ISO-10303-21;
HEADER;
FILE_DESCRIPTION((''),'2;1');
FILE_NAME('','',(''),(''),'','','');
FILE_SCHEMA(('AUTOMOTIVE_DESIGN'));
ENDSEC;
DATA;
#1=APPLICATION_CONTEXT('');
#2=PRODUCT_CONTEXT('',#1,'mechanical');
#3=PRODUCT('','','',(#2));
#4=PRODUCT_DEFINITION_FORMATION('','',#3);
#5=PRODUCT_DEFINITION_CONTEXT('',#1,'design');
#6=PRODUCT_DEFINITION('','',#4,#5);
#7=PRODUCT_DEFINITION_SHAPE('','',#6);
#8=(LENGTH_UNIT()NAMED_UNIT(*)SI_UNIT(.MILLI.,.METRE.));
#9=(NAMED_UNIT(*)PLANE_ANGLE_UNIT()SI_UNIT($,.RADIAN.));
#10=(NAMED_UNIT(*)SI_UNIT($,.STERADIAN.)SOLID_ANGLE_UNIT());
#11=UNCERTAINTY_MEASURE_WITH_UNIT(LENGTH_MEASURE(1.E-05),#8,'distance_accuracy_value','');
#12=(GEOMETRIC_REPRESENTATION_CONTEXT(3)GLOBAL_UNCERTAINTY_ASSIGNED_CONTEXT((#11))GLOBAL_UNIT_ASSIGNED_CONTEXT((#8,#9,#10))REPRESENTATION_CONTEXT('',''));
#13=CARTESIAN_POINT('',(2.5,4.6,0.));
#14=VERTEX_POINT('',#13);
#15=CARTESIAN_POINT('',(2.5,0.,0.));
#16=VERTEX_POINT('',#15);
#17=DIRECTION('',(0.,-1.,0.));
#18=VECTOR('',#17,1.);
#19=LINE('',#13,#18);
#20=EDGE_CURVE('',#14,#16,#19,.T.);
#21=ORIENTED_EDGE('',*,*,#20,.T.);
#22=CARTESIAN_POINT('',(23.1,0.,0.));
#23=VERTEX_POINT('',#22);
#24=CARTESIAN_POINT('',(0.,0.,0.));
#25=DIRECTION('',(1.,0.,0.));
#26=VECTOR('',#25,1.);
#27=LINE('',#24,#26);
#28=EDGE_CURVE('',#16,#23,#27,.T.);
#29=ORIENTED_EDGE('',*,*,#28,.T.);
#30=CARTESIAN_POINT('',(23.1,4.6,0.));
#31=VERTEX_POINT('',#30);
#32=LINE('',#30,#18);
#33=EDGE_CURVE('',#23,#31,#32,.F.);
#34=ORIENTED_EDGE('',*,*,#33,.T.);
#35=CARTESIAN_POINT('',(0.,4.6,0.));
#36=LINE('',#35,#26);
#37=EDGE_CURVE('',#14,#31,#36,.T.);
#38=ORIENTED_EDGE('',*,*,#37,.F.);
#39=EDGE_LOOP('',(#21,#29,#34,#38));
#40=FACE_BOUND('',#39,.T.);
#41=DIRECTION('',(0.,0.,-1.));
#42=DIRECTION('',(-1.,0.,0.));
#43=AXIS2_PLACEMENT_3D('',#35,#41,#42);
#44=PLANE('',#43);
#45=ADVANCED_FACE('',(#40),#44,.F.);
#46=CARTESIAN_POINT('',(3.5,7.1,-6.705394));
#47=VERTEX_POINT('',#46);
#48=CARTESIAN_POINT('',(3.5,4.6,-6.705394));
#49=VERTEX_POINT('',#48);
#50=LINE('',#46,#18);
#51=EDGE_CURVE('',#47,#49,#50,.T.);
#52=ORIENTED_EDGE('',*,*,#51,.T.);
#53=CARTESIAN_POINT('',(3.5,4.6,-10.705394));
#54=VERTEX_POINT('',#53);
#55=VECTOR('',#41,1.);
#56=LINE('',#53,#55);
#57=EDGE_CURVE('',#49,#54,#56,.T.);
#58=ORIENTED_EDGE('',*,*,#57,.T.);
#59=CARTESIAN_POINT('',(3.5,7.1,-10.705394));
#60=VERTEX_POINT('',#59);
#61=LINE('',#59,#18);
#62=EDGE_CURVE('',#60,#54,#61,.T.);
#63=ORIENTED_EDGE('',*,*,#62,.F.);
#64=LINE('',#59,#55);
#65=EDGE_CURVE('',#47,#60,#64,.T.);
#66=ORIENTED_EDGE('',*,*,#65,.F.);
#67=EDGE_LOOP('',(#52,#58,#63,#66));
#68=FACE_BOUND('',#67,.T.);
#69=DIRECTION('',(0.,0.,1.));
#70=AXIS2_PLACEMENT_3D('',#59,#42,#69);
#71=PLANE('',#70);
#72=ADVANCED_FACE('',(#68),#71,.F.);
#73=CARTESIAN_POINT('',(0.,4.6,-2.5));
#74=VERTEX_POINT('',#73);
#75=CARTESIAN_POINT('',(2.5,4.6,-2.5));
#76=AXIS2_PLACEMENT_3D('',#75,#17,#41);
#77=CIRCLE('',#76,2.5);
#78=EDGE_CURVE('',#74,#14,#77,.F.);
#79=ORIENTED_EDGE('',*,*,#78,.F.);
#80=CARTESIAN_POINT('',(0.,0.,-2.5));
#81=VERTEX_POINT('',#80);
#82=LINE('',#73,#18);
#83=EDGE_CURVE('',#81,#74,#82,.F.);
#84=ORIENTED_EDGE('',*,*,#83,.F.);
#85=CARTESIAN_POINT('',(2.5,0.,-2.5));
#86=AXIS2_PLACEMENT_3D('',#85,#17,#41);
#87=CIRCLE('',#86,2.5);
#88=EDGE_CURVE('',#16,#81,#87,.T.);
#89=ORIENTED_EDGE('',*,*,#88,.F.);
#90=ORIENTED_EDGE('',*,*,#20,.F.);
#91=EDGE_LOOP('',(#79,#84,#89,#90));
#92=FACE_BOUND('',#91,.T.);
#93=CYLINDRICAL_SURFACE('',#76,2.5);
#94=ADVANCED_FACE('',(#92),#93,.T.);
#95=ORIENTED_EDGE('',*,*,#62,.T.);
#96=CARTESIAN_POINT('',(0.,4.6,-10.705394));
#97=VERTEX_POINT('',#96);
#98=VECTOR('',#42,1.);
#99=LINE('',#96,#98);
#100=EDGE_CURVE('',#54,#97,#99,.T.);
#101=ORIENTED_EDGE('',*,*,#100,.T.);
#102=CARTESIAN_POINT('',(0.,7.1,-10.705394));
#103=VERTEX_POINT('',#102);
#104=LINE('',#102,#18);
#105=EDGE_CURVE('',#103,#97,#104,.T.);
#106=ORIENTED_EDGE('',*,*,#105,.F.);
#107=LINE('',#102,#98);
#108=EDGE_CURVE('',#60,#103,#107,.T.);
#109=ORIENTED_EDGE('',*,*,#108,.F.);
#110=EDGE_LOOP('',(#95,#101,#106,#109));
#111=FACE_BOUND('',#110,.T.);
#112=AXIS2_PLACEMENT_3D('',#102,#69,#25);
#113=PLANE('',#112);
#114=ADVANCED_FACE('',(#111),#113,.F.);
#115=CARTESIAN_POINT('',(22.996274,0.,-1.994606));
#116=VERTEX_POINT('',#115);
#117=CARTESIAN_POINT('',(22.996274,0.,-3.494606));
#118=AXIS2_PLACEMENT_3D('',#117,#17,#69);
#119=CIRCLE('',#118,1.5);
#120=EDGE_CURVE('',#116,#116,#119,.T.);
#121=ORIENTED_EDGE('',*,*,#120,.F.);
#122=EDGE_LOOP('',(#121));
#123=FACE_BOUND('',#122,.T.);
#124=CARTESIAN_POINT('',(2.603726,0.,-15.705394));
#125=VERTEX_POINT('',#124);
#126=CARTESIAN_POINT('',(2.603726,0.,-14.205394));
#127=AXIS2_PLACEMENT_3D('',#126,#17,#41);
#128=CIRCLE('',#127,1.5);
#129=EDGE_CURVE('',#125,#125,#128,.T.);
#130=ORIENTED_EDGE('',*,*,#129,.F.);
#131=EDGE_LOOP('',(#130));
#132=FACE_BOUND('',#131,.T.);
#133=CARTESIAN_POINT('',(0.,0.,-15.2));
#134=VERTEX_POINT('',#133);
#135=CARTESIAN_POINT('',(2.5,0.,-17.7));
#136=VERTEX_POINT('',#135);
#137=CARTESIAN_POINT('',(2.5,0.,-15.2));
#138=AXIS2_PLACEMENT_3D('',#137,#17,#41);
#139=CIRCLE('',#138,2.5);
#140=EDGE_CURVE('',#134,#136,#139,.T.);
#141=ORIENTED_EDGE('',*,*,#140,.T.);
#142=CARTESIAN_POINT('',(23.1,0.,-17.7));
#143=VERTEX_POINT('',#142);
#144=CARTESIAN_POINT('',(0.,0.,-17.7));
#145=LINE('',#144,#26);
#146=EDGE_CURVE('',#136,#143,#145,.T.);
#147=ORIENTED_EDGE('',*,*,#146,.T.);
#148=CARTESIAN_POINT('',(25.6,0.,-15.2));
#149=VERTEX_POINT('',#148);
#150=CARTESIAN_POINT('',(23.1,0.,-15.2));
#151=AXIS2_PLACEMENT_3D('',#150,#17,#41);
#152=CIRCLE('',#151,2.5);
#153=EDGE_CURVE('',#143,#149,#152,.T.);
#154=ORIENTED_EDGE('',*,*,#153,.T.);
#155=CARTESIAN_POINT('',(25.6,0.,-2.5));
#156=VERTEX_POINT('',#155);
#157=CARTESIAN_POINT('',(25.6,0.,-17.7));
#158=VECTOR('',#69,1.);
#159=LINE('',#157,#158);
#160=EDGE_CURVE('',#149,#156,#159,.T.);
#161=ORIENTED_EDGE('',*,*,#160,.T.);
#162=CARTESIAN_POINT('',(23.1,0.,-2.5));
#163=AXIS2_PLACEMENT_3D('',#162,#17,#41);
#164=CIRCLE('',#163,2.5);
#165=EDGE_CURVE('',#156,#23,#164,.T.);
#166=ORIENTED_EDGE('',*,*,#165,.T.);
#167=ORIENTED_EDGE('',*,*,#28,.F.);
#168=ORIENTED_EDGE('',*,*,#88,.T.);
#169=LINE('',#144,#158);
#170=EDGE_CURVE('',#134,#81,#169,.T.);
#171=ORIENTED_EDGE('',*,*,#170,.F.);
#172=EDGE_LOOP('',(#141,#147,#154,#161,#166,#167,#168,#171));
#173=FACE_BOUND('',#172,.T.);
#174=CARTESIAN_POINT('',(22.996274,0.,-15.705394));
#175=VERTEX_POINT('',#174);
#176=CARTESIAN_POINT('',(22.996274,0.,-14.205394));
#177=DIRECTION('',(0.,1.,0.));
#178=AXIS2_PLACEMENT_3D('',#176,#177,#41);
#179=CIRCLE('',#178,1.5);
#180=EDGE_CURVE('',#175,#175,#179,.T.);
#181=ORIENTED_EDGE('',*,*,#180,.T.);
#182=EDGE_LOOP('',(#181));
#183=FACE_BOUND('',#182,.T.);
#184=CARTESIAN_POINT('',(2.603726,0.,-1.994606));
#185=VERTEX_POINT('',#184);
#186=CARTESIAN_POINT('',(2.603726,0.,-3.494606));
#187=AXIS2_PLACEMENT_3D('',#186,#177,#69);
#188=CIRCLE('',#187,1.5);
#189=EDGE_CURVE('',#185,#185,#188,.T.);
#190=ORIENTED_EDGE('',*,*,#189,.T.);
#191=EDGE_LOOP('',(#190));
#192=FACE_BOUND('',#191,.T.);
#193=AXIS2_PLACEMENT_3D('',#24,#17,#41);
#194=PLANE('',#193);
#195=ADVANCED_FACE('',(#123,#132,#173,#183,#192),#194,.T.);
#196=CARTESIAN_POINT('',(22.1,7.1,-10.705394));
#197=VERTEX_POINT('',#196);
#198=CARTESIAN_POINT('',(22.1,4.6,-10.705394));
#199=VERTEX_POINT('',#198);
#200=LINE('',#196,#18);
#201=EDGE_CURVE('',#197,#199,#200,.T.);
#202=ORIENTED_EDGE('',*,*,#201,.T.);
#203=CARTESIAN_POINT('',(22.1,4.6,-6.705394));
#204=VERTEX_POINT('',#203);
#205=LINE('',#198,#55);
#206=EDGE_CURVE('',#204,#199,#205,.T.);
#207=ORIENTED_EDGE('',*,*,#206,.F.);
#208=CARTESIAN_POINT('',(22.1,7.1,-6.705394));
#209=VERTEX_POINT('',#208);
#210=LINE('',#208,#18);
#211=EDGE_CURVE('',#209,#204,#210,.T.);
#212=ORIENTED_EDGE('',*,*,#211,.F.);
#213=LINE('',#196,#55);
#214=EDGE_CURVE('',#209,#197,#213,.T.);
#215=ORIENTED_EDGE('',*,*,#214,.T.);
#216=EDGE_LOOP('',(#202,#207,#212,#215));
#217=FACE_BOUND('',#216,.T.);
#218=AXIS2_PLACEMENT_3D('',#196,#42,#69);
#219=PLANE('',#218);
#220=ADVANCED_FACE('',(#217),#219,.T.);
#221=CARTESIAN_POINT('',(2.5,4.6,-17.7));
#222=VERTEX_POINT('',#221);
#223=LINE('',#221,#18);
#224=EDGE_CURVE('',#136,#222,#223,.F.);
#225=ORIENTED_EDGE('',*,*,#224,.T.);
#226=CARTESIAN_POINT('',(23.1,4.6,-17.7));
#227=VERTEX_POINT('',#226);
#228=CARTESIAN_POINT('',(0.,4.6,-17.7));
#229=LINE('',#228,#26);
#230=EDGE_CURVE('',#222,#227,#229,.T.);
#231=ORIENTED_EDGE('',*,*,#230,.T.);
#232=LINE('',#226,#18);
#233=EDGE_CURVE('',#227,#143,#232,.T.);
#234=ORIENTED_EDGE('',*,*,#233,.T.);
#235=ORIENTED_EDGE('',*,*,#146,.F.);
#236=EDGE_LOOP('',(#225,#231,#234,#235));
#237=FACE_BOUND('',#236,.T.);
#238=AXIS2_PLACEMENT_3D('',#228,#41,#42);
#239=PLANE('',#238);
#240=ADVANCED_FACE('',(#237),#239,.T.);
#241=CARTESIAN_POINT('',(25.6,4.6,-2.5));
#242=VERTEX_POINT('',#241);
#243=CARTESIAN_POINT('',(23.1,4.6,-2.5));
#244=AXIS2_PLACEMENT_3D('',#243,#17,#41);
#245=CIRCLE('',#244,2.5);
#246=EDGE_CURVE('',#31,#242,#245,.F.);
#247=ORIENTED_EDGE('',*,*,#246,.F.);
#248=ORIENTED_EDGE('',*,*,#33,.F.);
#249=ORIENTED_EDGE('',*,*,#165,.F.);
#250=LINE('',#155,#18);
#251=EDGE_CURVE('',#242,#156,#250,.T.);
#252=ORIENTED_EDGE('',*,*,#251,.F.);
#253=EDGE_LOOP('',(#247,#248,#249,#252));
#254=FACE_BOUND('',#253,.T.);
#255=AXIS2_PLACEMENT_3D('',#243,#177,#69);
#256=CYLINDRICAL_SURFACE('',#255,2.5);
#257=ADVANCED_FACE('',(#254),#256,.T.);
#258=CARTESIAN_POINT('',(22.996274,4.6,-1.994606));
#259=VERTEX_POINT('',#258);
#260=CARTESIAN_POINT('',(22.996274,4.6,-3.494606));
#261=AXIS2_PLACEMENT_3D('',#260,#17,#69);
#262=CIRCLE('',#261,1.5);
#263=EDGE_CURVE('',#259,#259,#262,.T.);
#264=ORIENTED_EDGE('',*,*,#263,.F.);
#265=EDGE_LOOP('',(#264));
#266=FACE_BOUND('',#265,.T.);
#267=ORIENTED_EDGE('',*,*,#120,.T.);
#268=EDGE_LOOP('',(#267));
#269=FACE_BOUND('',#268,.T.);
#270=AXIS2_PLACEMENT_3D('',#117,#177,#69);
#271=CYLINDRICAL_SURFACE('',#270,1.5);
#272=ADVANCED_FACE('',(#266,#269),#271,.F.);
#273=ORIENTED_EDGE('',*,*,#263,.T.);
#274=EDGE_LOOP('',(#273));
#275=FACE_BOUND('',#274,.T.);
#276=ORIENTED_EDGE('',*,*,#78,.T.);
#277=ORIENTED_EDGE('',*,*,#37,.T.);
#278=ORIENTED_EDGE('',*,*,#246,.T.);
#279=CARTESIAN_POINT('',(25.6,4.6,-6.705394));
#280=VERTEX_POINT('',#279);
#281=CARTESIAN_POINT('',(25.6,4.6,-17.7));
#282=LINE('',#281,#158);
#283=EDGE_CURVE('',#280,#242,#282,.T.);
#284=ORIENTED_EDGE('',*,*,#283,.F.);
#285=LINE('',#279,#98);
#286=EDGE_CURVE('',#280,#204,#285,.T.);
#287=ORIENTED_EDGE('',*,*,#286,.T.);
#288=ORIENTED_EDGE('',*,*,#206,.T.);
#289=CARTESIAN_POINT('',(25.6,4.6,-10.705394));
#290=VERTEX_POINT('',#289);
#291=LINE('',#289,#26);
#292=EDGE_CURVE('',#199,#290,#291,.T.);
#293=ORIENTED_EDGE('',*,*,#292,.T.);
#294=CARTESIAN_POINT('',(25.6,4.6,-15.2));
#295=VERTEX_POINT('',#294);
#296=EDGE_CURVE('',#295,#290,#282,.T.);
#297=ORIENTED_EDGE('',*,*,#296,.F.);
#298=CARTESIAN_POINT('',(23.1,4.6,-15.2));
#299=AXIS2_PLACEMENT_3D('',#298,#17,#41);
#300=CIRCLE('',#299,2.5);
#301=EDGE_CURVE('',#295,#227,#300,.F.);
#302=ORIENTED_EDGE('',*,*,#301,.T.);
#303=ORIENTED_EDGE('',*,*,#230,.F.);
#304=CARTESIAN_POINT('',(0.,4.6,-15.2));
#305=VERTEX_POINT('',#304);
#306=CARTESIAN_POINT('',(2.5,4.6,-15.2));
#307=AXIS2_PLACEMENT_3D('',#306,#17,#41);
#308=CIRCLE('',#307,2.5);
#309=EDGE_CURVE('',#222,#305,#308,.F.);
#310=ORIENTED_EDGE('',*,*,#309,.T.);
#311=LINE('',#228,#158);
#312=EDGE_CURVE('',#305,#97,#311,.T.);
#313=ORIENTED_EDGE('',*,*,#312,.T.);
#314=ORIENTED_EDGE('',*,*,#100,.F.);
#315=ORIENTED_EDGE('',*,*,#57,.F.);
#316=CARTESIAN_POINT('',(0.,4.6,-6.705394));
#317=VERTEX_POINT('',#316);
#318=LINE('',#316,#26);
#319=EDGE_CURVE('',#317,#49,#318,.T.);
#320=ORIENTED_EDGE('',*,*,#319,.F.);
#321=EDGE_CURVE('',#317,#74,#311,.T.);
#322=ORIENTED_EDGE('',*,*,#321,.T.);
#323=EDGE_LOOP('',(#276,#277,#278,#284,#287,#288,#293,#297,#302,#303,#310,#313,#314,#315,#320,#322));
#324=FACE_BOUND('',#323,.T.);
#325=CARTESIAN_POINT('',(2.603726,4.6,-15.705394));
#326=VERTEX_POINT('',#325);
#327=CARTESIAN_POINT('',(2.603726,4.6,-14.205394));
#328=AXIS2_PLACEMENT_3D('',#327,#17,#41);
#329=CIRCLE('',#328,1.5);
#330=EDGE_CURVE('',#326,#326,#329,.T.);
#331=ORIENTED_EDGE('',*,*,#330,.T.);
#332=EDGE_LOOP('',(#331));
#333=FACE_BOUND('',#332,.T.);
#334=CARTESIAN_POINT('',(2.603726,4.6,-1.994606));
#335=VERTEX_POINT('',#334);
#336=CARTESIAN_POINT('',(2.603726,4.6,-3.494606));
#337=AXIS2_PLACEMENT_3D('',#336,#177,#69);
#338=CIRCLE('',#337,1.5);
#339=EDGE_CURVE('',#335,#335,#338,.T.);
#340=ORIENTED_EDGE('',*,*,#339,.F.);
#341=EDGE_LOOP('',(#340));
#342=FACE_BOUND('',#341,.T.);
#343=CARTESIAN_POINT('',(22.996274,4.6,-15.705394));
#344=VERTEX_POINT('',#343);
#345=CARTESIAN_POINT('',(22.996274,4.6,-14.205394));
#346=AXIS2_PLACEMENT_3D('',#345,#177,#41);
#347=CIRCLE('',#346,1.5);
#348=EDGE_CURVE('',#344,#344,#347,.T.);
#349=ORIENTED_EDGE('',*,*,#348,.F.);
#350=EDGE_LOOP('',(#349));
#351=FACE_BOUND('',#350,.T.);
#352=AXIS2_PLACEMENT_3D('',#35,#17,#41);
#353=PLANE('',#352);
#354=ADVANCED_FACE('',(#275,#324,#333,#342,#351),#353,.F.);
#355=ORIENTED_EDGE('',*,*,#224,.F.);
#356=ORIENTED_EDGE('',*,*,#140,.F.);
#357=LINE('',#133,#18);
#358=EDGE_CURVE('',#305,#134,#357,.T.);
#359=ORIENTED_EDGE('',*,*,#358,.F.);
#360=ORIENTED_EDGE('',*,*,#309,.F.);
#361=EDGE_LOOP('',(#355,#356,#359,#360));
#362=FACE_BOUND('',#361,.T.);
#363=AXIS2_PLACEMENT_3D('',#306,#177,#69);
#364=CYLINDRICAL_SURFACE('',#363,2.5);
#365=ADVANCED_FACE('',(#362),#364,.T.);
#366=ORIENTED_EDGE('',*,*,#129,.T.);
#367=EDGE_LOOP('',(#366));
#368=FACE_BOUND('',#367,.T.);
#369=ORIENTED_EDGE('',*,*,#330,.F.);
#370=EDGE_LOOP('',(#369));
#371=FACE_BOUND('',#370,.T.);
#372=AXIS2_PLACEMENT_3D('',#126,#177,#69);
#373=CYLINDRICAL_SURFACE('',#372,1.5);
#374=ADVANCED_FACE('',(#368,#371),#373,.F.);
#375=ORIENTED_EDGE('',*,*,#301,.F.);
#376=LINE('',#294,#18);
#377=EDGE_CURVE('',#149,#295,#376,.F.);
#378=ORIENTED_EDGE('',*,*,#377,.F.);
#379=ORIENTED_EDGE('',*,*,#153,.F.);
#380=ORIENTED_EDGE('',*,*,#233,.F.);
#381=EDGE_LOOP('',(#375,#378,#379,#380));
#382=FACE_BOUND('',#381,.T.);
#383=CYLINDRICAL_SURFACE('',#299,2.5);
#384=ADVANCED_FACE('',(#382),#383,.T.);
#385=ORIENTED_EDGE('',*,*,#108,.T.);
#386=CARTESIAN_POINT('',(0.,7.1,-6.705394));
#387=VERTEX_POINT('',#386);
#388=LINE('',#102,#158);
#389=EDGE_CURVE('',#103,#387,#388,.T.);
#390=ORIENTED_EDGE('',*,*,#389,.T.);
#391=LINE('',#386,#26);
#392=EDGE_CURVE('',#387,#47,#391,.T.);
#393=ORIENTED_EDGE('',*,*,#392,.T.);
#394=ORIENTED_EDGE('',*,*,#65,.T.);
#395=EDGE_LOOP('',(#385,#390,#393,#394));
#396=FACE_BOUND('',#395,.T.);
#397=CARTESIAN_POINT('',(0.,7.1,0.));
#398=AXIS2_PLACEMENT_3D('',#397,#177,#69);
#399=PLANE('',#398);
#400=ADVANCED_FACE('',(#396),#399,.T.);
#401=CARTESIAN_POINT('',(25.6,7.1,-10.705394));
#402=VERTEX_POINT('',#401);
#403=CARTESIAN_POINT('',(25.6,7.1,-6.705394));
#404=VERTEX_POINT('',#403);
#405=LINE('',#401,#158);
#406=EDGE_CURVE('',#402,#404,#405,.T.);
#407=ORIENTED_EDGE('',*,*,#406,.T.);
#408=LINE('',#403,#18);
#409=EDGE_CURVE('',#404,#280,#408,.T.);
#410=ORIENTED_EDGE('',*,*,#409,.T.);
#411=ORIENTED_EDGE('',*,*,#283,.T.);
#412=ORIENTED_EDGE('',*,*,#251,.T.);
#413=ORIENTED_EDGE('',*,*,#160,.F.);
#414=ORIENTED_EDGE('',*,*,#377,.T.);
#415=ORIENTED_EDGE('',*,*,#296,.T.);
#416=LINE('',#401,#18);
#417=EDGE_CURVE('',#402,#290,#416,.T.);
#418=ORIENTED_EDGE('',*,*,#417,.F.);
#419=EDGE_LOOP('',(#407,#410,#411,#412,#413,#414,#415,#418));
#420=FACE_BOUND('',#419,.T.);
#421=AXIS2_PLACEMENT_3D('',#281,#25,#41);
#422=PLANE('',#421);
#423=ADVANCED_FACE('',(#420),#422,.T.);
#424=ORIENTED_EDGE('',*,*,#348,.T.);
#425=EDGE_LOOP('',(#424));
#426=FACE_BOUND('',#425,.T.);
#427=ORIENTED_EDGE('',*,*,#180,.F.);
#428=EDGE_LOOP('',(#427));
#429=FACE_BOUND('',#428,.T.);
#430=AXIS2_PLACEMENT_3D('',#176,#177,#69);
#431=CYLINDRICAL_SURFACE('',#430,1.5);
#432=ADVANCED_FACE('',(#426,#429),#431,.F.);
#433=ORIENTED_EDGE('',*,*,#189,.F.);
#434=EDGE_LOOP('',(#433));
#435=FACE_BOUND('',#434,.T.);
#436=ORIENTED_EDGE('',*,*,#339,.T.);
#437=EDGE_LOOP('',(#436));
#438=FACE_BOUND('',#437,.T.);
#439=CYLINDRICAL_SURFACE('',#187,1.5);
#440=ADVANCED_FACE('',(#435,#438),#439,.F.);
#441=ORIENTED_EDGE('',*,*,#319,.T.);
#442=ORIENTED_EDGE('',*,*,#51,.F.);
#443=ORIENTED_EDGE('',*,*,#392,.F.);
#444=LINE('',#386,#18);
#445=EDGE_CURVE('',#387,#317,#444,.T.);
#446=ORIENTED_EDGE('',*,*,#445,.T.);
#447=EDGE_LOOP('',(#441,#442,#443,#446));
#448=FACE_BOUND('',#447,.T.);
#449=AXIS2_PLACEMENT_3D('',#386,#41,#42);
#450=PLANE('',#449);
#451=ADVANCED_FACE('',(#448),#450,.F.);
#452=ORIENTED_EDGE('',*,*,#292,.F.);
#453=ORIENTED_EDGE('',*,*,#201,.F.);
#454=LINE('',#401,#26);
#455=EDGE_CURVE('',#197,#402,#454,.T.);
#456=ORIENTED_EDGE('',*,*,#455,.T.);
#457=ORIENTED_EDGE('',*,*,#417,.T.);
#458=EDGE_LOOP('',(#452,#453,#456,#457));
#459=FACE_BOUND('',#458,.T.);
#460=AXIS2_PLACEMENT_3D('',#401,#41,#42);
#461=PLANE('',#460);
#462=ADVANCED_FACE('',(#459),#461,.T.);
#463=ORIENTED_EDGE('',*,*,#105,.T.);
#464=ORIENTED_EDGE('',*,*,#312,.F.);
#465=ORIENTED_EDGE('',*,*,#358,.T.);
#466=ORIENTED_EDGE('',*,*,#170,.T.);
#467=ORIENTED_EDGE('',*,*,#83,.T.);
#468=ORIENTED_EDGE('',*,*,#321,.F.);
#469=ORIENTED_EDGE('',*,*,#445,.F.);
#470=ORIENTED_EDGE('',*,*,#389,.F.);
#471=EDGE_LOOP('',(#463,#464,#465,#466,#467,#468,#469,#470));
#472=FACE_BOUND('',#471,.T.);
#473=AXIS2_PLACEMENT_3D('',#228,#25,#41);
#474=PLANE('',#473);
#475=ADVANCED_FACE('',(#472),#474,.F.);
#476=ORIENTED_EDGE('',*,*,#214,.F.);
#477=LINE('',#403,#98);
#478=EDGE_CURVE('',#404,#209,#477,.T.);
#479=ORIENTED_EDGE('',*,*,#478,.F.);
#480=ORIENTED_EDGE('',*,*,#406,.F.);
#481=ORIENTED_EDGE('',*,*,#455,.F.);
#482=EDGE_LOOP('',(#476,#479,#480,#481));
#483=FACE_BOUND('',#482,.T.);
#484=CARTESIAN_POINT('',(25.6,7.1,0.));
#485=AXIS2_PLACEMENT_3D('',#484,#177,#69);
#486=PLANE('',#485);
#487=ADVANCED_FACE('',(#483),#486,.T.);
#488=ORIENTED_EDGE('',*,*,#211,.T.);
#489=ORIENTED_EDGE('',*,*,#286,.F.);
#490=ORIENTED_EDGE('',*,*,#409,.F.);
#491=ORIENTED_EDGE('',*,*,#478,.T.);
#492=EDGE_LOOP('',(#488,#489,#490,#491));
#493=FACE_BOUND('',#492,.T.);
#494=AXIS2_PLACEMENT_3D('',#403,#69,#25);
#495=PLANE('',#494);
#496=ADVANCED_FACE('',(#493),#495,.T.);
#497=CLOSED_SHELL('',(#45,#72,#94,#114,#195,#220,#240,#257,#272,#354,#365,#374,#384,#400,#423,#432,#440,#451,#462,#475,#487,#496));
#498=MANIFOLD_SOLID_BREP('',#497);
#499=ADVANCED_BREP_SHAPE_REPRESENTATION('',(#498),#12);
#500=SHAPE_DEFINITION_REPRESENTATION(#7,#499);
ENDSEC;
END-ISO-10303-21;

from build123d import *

# Parameters (mm, degrees)
SKETCH1_W               = 25.6
SKETCH1_H               = 17.7
BOSS_EXTRUDE1_DEPTH     = 4.6
FILLET1_R               = 2.5
SKETCH3_R               = 1.5
CUT_EXTRUDE1_DEPTH      = 32.461246002
MIRROR2_COPY_1_SKETCH_R = 1.5
MIRROR2_COPY_1_DEPTH    = 32.461246002
SKETCH6_W               = 3.5
SKETCH6_H               = 4
BOSS_EXTRUDE2_DEPTH     = 2.5


with BuildPart() as part:
    # Sketch1 → Boss-Extrude1 (new body)
    with BuildSketch(Plane(origin=(0, 0, 0), x_dir=(1, 0, 0), z_dir=(0, 1, 0))):
        with Locations((12.8, 8.85)):
            Rectangle(SKETCH1_W, SKETCH1_H)
    extrude(amount=BOSS_EXTRUDE1_DEPTH)

    # Fillet1
    fillet1_edges = [part.edges().sort_by_distance(p)[0] for p in [
        (0, 2.3, -17.7),
        (0, 2.3, 0),
        (25.6, 2.3, 0),
        (25.6, 2.3, -17.7),
    ]]
    fillet(fillet1_edges, radius=FILLET1_R)

    # Sketch3 → Cut-Extrude1 (cut, through all)
    with BuildSketch(Plane(origin=(0, 4.6, 0), x_dir=(1, 0, 0), z_dir=(0, 1, 0))):
        with Locations(Location((2.603725991, 3.494605911, 0), (0, 0, 270))):
            Circle(SKETCH3_R)
    cut_extrude1 = extrude(amount=-CUT_EXTRUDE1_DEPTH, mode=Mode.SUBTRACT)

    # Mirror1: Cut-Extrude1 across plane
    add(cut_extrude1.mirror(Plane.XY.offset(-8.85)), mode=Mode.SUBTRACT)

    # Mirror2: Cut-Extrude1 across plane
    add(cut_extrude1.mirror(Plane.ZY.offset(-12.8)), mode=Mode.SUBTRACT)

    # Mirror2 copy 1 sketch → Mirror2 copy 1 (cut, through all)
    with BuildSketch(Plane(origin=(25.6, 4.6, -17.7), x_dir=(-1, 0, 0), z_dir=(0, 1, 0))):
        with Locations(Location((2.603725991, 3.494605911, 0), (0, 0, 270))):
            Circle(MIRROR2_COPY_1_SKETCH_R)
    extrude(amount=-MIRROR2_COPY_1_DEPTH, mode=Mode.SUBTRACT)

    # Sketch6 → Boss-Extrude2 (add)
    with BuildSketch(Plane(origin=(0, 4.6, 0), x_dir=(1, 0, 0), z_dir=(0, 1, 0))):
        with Locations((1.75, 8.705394089)):
            Rectangle(SKETCH6_W, SKETCH6_H)
    boss_extrude2 = extrude(amount=BOSS_EXTRUDE2_DEPTH)

    # Mirror3: Boss-Extrude2 across plane
    add(boss_extrude2.mirror(Plane.ZY.offset(-12.8)))


solid = part.part
